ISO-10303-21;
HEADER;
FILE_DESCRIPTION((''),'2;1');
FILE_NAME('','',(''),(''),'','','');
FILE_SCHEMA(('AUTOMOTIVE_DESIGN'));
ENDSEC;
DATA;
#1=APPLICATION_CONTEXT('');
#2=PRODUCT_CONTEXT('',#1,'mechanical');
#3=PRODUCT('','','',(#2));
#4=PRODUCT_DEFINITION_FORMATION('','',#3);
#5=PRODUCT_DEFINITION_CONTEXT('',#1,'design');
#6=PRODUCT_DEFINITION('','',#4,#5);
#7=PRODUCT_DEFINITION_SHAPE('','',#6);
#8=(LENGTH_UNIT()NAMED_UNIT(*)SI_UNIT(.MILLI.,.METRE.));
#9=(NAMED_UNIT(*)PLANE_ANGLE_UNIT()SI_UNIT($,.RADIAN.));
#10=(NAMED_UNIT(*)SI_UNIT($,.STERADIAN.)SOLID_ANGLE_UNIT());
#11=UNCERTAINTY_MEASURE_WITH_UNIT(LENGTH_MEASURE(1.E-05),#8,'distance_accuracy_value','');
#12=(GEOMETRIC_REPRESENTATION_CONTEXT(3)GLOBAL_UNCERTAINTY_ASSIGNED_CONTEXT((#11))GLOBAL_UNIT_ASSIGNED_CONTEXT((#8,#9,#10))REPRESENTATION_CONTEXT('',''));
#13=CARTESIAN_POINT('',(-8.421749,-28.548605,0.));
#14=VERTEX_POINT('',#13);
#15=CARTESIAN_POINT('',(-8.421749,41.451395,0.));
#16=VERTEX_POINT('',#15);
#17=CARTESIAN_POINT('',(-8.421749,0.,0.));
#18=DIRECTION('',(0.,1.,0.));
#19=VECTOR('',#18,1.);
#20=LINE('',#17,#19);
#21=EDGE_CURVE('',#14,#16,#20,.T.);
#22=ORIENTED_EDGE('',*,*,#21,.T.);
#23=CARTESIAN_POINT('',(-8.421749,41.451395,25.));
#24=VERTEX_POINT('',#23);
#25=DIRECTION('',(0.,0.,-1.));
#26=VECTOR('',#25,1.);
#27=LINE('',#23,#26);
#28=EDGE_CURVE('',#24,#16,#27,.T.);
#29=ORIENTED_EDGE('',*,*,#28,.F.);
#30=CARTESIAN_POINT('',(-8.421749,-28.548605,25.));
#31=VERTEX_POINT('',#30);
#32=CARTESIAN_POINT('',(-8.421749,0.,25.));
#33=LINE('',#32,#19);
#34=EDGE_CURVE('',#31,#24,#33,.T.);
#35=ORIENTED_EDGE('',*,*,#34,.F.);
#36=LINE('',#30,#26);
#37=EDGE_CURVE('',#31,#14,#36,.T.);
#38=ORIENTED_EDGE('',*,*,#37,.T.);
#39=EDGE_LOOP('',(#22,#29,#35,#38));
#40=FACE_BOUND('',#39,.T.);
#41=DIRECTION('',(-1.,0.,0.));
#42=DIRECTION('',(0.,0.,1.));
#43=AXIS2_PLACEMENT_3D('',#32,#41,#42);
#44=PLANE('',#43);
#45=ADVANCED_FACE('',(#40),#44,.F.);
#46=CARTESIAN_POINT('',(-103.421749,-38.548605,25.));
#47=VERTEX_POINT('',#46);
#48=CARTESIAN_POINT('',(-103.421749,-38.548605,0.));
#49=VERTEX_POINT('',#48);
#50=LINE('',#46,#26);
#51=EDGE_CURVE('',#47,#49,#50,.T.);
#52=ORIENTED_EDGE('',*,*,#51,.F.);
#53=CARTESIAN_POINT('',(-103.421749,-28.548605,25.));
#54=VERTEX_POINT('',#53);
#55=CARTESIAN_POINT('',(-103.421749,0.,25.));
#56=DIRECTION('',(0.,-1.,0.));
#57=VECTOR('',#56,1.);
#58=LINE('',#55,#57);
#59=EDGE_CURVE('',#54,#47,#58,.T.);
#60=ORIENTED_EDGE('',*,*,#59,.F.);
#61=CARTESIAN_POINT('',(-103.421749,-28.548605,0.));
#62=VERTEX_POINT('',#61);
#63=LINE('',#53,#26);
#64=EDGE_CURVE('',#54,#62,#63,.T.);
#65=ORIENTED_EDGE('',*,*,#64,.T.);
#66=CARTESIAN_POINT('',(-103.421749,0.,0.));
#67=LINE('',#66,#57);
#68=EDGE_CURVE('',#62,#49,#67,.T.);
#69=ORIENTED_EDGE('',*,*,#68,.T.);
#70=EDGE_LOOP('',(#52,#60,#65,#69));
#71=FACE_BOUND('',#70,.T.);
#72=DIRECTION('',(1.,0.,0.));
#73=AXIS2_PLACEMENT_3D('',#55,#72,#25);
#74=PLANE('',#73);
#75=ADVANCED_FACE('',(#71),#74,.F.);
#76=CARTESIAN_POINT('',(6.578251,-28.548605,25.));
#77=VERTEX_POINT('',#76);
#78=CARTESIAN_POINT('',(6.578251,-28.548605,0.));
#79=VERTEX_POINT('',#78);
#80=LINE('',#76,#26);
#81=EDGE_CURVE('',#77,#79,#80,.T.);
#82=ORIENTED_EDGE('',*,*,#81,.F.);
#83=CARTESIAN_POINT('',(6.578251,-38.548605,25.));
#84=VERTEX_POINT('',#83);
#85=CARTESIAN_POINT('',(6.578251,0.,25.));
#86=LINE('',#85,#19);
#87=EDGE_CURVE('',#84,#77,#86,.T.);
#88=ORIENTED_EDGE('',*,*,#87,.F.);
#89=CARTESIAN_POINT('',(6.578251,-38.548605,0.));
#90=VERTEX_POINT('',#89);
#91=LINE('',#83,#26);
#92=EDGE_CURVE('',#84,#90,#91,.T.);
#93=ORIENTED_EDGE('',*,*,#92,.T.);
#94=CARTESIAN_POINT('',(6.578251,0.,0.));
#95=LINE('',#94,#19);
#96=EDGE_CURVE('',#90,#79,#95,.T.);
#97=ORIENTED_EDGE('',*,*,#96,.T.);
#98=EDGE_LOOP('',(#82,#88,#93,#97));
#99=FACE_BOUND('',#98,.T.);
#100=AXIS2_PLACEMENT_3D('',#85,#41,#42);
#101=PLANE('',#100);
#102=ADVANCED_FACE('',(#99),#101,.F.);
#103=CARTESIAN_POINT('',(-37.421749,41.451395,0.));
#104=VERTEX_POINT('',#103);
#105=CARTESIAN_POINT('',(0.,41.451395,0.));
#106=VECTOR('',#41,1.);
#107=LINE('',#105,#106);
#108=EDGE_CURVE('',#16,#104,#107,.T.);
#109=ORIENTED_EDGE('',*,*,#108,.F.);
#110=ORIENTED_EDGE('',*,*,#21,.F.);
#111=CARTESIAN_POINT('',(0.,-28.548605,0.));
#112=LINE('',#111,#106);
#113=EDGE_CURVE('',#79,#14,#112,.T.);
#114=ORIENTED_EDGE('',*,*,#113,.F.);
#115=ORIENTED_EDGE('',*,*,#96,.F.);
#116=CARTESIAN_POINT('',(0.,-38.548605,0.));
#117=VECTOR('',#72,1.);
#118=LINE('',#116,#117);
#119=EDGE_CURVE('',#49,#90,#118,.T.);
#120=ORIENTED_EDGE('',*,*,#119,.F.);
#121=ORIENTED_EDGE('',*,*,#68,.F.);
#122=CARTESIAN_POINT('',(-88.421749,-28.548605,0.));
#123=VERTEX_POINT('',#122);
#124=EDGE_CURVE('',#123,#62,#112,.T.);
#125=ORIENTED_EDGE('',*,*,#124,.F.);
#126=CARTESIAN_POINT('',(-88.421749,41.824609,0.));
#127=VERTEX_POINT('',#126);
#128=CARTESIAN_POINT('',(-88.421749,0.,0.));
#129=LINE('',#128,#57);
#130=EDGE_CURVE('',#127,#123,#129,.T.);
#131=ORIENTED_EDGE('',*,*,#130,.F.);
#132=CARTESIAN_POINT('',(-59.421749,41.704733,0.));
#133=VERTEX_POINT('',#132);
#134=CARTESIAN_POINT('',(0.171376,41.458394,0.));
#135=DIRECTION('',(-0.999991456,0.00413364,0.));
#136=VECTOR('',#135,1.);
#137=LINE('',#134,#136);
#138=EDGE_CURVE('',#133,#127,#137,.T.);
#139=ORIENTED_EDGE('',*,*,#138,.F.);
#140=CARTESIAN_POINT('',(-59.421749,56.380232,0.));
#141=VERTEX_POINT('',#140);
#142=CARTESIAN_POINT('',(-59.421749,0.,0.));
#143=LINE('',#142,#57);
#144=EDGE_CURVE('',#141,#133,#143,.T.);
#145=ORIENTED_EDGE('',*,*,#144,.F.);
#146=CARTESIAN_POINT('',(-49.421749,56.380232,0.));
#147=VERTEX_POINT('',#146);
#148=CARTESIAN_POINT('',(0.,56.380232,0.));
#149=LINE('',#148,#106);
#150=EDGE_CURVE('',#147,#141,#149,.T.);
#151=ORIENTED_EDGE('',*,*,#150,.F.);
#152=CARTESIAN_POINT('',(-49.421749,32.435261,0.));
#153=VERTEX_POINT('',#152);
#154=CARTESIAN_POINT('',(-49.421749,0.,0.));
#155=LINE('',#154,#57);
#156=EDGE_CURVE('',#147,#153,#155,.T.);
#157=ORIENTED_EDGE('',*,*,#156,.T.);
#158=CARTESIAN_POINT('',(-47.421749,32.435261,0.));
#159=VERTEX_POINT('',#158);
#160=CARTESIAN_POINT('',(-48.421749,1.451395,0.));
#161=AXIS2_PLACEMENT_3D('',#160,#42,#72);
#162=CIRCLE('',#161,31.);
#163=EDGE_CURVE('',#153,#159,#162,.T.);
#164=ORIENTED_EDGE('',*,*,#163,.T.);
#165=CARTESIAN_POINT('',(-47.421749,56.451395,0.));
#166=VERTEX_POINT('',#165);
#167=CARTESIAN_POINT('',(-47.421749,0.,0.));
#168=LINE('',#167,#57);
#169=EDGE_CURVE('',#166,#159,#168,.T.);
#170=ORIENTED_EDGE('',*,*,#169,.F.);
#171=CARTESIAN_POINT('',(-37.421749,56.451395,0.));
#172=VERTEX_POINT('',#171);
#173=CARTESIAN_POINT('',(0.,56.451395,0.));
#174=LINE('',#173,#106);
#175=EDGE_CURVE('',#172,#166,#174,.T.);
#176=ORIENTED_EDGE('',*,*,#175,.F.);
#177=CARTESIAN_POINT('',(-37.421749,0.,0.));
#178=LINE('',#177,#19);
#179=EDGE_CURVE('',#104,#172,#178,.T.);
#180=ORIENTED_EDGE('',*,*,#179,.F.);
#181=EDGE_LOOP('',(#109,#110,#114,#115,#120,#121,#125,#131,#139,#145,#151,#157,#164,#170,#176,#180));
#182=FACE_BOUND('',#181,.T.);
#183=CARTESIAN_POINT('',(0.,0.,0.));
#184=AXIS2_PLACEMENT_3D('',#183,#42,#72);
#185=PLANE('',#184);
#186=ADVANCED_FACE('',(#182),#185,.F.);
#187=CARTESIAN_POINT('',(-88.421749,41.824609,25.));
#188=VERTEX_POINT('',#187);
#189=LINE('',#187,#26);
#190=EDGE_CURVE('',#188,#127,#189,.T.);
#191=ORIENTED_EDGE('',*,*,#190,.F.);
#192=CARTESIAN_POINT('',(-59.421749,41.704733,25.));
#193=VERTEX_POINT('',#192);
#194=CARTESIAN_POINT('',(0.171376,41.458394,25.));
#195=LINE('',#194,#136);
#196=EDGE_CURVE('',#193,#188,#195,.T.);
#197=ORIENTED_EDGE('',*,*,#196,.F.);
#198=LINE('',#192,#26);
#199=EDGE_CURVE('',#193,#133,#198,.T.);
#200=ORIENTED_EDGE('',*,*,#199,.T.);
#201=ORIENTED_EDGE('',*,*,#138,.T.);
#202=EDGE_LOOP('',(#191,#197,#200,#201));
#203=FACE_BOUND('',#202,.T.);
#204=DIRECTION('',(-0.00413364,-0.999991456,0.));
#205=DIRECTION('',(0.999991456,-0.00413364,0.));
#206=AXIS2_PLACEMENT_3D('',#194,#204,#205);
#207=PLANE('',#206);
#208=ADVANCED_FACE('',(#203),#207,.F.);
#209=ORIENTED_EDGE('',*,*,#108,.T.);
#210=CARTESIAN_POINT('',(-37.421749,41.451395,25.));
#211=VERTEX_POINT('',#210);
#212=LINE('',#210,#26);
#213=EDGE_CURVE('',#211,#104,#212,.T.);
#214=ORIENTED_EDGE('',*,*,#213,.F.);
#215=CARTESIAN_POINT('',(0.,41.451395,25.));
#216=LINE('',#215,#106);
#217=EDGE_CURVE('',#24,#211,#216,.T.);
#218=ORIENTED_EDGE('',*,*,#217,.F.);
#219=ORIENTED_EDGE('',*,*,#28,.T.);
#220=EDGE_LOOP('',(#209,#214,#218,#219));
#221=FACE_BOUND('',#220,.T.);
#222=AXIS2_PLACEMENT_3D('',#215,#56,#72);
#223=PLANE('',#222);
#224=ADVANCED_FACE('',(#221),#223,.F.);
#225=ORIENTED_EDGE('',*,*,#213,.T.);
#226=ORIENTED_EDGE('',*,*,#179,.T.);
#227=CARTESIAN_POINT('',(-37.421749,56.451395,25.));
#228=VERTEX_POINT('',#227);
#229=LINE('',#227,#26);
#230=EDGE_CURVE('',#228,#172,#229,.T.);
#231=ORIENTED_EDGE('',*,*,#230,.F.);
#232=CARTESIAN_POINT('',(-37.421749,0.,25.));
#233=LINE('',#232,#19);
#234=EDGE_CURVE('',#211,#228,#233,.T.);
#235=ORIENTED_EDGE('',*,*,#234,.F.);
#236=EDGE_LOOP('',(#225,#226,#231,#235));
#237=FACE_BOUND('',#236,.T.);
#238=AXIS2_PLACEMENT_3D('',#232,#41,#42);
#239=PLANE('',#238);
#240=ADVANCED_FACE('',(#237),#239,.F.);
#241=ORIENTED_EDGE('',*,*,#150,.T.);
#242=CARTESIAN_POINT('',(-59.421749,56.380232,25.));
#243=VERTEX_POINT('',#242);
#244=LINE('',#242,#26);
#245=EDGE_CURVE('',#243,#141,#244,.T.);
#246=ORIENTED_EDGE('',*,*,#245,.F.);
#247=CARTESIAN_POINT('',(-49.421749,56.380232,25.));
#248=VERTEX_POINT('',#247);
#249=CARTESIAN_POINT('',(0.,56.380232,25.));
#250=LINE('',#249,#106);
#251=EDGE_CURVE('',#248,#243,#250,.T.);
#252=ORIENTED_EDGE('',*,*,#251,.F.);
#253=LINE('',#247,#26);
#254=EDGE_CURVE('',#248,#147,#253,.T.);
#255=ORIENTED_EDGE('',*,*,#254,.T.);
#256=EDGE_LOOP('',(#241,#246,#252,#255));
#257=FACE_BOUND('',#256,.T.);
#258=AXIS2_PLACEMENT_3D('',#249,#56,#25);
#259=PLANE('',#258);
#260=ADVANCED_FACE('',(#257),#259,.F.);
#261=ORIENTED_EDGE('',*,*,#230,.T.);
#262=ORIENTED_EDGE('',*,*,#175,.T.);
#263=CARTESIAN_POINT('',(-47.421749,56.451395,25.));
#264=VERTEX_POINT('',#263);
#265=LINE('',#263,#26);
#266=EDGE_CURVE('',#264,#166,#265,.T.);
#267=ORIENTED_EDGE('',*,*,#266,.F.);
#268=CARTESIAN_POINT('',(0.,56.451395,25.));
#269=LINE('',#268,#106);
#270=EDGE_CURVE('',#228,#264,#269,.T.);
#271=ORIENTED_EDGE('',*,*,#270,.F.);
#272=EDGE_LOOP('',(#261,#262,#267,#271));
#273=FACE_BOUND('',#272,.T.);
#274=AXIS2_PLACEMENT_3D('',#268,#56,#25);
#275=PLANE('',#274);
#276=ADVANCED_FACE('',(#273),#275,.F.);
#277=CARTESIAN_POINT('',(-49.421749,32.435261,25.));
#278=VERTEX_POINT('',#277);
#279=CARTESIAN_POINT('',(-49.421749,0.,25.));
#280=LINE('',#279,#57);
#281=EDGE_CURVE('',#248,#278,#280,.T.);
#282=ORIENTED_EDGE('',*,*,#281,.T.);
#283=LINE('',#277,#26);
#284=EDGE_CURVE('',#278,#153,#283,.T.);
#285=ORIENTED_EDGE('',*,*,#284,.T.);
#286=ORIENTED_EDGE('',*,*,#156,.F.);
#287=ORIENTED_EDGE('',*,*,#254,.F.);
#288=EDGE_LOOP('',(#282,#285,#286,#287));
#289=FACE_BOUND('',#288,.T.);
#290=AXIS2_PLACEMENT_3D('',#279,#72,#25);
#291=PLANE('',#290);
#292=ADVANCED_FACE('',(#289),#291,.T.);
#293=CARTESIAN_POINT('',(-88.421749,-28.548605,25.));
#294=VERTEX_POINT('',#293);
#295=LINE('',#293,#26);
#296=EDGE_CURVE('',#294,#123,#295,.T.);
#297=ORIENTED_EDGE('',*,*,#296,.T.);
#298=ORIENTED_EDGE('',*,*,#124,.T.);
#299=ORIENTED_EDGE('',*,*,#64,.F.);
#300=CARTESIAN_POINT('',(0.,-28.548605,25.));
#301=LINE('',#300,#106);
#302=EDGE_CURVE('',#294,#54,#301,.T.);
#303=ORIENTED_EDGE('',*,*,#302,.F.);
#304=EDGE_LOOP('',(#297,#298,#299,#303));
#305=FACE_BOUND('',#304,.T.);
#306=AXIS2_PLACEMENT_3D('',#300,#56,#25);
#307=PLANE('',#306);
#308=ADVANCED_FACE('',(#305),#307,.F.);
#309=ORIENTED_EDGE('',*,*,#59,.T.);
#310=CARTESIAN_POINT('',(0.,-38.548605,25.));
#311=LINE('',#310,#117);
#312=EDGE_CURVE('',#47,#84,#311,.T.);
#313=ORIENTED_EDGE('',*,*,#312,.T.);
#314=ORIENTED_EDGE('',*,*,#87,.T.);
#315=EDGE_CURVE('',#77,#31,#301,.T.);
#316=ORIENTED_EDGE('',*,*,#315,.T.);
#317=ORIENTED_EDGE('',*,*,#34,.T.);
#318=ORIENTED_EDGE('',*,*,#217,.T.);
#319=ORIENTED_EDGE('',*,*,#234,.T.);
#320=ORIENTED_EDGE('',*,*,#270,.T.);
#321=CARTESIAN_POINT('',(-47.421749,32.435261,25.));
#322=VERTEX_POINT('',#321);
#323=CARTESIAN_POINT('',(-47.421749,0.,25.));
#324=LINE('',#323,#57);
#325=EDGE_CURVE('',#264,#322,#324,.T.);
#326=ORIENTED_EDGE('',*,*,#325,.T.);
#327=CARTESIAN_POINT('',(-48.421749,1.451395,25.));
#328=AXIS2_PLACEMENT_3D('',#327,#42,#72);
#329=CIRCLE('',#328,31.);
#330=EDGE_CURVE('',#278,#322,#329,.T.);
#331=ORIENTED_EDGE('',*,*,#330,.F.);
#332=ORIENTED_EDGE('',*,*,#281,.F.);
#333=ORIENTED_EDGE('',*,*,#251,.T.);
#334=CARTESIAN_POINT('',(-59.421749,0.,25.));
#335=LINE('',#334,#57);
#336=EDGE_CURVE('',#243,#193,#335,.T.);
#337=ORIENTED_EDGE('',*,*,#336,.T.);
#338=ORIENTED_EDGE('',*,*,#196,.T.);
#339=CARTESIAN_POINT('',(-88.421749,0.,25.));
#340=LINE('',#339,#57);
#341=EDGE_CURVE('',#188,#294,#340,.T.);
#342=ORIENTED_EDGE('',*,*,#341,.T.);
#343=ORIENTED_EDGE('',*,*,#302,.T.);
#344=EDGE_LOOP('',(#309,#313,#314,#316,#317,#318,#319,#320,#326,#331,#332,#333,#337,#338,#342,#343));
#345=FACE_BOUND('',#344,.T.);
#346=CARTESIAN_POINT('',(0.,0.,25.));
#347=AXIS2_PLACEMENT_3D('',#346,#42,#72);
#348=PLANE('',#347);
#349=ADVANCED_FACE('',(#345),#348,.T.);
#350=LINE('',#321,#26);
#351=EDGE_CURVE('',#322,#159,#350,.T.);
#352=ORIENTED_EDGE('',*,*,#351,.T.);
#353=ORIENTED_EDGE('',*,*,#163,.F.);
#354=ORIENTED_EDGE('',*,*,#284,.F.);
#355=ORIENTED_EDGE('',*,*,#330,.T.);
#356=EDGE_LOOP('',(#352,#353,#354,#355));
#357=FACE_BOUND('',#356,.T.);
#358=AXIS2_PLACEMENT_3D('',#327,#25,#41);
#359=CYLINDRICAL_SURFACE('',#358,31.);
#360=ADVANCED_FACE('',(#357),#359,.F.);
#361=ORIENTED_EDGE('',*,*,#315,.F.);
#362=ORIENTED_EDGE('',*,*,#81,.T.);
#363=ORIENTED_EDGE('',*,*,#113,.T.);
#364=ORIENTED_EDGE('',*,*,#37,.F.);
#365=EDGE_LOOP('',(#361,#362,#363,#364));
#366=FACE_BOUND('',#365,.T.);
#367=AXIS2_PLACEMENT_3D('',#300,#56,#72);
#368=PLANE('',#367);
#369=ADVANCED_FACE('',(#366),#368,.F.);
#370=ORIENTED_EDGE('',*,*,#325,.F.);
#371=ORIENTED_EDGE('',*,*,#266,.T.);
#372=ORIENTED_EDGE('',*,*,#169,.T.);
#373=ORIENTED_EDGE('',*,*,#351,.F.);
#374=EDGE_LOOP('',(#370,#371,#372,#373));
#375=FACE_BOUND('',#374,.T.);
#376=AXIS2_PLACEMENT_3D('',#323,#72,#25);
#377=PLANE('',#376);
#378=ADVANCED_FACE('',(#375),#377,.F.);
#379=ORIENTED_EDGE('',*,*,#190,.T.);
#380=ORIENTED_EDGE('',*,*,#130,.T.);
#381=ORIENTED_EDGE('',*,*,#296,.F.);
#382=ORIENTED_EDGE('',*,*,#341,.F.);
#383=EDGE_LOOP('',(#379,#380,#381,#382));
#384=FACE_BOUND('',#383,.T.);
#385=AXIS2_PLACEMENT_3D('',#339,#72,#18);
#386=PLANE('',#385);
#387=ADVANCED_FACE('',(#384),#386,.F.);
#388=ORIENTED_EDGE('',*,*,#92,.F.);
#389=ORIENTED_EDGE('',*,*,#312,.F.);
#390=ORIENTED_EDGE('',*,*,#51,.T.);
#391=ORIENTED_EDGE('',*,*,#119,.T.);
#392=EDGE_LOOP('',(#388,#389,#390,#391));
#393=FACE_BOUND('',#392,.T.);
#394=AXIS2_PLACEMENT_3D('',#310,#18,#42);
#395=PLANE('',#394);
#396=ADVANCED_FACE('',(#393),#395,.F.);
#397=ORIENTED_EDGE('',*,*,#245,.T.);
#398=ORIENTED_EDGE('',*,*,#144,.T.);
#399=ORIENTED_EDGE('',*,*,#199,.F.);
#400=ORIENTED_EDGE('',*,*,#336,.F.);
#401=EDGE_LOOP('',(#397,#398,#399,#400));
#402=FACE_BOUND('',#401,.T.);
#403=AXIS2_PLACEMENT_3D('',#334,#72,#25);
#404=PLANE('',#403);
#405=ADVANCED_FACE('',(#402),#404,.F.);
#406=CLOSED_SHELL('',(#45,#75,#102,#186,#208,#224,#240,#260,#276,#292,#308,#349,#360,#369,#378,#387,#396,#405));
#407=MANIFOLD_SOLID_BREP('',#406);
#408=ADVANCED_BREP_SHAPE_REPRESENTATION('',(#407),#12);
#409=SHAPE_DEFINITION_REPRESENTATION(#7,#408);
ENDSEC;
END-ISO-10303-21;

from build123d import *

# Parameters (mm, degrees)
SALIENTE_EXTRUIR5_DEPTH = 25


with BuildPart() as part:
    # Croquis1 → Saliente-Extruir5 (new body)
    with BuildSketch(Plane.XY):
        with BuildLine():
            Line((-103.421749263, -28.548605363), (-103.421749263, -38.548605363))
            Line((-103.421749263, -38.548605363), (6.578250737, -38.548605363))
            Line((6.578250737, -38.548605363), (6.578250737, -28.548605363))
            Line((6.578250737, -28.548605363), (-8.421749263, -28.548605363))
            Line((-8.421749263, -28.548605363), (-8.421749263, 41.451394637))
            Line((-8.421749263, 41.451394637), (-37.421749263, 41.451394637))
            Line((-37.421749263, 41.451394637), (-37.421749263, 56.451394637))
            Line((-37.421749263, 56.451394637), (-47.421749263, 56.451394637))
            Line((-47.421749263, 56.451394637), (-47.421749263, 32.435261406))
            ThreePointArc((-47.421749263, 32.435261406), (-26.150691812, 23.015253289), (-17.421749263, 1.451394637))
            ThreePointArc((-17.421749263, 1.451394637), (-69.985607916, -20.819662815), (-49.421749263, 32.435261406))
            Line((-49.421749263, 32.435261406), (-49.421749263, 56.380232155))
            Line((-49.421749263, 56.380232155), (-59.421749263, 56.380232155))
            Line((-59.421749263, 56.380232155), (-59.421749263, 41.704732865))
            Line((-59.421749263, 41.704732865), (-88.421749263, 41.824609442))
            Line((-88.421749263, 41.824609442), (-88.421749263, -28.548605363))
            Line((-88.421749263, -28.548605363), (-103.421749263, -28.548605363))
        make_face()
    extrude(amount=SALIENTE_EXTRUIR5_DEPTH)


solid = part.part
